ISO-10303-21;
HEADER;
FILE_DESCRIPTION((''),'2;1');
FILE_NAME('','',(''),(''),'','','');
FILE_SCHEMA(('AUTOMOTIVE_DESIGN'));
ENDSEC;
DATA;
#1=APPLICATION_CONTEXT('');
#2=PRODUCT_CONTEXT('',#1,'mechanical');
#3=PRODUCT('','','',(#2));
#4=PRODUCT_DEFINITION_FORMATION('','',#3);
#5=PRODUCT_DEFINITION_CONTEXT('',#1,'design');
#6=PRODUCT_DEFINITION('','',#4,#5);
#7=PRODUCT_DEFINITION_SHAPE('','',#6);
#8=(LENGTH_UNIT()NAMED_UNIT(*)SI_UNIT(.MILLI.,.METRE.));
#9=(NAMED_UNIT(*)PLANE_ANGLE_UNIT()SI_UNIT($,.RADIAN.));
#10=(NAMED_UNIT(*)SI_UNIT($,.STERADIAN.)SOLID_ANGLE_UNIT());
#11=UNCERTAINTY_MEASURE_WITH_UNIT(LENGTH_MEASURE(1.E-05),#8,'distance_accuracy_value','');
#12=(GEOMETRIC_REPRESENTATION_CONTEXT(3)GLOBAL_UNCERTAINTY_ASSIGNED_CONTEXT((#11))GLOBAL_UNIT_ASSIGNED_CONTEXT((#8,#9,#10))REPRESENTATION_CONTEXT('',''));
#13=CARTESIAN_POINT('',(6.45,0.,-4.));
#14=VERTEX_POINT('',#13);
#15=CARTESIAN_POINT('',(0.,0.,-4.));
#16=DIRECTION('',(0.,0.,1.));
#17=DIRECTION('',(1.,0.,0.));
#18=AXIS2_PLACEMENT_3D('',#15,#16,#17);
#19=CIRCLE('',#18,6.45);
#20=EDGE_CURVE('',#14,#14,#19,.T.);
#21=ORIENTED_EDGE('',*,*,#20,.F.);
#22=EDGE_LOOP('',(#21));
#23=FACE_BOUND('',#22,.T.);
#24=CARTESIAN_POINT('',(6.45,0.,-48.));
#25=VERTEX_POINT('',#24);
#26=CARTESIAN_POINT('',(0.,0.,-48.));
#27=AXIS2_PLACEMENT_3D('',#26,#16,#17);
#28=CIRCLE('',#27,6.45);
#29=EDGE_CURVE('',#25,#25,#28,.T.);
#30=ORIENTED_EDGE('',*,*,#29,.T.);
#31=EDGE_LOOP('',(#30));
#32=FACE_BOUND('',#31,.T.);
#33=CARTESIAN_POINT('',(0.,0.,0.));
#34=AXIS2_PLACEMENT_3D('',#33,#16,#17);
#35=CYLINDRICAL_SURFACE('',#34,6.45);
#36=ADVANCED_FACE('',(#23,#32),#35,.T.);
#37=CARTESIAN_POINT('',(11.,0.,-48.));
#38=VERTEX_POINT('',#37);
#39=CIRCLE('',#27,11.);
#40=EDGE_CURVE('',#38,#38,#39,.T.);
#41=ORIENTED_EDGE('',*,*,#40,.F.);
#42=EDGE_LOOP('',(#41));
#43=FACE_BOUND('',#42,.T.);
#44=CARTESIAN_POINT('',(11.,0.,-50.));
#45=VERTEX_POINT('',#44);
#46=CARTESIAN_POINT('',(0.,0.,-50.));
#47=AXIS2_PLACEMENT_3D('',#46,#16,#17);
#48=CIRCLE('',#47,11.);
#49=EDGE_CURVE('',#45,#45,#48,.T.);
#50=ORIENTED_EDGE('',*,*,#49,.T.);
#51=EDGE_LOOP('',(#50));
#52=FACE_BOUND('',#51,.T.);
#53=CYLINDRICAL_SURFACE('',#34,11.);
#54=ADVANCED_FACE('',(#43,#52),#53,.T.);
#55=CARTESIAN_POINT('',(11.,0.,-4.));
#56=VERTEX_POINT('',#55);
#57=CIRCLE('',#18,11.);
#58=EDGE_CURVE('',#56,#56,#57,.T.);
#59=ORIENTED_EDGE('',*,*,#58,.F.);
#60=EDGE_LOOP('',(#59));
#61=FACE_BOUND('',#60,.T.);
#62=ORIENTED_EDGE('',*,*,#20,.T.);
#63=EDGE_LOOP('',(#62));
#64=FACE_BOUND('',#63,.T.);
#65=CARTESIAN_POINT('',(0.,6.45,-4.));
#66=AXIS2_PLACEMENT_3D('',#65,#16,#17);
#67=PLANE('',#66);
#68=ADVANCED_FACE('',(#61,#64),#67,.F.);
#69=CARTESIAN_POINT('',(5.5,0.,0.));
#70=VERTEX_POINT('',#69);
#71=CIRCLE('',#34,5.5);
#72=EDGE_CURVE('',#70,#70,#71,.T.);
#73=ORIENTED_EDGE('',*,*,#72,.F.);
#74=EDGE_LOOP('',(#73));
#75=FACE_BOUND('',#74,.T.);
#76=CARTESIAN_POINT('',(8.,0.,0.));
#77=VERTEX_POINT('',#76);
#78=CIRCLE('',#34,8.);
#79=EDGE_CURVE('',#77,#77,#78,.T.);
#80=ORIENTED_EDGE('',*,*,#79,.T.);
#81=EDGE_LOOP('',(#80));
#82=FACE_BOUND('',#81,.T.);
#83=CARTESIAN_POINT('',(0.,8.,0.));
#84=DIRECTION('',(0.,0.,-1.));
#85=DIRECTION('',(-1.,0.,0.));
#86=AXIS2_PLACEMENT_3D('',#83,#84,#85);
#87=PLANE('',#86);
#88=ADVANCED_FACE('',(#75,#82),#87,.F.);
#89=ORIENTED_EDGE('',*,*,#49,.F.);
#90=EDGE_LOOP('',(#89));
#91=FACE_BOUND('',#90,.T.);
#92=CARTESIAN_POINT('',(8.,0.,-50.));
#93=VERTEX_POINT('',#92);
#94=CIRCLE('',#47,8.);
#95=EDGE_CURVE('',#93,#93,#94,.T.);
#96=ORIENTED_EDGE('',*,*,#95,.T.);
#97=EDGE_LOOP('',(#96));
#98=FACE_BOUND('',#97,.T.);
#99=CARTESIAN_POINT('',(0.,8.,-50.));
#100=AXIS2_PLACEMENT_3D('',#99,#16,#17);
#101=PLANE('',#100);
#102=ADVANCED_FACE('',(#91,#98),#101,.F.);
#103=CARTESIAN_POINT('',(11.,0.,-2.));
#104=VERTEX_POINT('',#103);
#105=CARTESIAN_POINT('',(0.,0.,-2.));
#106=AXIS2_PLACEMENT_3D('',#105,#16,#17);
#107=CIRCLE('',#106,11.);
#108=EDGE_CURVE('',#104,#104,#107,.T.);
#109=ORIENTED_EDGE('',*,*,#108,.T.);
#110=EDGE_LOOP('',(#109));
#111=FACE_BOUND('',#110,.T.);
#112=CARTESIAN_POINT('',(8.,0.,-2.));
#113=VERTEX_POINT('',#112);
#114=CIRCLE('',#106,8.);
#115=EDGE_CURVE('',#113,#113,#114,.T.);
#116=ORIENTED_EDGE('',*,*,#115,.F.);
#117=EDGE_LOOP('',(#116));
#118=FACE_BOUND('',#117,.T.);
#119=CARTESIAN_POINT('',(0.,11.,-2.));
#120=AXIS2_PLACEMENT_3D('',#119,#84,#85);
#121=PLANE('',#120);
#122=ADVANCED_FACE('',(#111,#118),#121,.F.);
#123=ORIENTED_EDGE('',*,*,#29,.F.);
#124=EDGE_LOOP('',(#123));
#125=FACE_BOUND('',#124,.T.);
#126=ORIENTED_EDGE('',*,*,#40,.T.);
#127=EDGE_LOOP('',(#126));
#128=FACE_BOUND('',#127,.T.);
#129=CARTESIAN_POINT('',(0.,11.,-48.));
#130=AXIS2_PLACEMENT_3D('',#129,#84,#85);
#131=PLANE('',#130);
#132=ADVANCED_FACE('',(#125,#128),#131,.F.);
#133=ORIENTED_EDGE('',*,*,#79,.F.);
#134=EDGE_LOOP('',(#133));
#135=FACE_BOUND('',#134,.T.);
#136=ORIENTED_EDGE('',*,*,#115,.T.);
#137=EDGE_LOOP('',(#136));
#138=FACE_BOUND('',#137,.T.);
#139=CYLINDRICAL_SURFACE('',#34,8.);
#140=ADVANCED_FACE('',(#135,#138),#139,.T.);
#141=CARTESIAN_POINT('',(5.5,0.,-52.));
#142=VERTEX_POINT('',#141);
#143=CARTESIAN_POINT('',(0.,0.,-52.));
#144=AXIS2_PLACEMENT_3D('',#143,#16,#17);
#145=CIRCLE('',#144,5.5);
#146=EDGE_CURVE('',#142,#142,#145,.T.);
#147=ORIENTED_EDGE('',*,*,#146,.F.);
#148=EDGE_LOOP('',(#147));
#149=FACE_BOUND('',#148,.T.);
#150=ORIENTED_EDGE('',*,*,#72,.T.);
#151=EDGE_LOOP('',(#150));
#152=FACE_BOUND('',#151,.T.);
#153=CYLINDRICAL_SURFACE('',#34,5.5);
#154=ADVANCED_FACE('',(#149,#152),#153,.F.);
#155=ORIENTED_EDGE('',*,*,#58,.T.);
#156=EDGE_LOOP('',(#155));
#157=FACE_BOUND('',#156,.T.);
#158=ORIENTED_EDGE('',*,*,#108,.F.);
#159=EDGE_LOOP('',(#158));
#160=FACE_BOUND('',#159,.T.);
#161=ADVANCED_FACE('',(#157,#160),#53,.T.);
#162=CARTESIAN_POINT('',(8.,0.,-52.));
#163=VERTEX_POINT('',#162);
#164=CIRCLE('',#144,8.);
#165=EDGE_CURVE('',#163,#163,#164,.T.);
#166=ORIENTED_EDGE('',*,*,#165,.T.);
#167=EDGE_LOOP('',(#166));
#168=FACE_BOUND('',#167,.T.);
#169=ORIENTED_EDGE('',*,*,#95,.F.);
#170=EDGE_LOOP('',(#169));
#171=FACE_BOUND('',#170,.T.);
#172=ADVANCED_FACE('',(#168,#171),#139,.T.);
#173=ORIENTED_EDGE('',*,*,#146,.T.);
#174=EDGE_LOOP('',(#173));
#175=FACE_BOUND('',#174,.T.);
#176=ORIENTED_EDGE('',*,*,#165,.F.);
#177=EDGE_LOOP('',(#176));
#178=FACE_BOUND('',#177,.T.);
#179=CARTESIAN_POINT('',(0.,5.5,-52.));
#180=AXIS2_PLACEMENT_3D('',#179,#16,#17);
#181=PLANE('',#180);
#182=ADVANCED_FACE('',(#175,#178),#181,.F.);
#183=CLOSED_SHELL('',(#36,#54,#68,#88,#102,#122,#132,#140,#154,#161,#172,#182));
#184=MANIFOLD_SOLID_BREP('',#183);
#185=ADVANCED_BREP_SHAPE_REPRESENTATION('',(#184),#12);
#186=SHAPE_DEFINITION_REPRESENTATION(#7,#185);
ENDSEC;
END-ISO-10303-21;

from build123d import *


with BuildPart() as part:
    # Sketch1 → Revolve1 (revolve)
    with BuildSketch(Plane(origin=(0, 0, 0), x_dir=(0, 0, -1), z_dir=(1, 0, 0))):
        Polygon((0, 5.5), (52, 5.5), (52, 8), (50, 8), (50, 11), (48, 11), (48, 6.45), (4, 6.45), (4, 11), (2, 11), (2, 8), (0, 8), align=None)
    revolve(axis=Axis((0, 0, 0), (0, 0, -1)))


solid = part.part
